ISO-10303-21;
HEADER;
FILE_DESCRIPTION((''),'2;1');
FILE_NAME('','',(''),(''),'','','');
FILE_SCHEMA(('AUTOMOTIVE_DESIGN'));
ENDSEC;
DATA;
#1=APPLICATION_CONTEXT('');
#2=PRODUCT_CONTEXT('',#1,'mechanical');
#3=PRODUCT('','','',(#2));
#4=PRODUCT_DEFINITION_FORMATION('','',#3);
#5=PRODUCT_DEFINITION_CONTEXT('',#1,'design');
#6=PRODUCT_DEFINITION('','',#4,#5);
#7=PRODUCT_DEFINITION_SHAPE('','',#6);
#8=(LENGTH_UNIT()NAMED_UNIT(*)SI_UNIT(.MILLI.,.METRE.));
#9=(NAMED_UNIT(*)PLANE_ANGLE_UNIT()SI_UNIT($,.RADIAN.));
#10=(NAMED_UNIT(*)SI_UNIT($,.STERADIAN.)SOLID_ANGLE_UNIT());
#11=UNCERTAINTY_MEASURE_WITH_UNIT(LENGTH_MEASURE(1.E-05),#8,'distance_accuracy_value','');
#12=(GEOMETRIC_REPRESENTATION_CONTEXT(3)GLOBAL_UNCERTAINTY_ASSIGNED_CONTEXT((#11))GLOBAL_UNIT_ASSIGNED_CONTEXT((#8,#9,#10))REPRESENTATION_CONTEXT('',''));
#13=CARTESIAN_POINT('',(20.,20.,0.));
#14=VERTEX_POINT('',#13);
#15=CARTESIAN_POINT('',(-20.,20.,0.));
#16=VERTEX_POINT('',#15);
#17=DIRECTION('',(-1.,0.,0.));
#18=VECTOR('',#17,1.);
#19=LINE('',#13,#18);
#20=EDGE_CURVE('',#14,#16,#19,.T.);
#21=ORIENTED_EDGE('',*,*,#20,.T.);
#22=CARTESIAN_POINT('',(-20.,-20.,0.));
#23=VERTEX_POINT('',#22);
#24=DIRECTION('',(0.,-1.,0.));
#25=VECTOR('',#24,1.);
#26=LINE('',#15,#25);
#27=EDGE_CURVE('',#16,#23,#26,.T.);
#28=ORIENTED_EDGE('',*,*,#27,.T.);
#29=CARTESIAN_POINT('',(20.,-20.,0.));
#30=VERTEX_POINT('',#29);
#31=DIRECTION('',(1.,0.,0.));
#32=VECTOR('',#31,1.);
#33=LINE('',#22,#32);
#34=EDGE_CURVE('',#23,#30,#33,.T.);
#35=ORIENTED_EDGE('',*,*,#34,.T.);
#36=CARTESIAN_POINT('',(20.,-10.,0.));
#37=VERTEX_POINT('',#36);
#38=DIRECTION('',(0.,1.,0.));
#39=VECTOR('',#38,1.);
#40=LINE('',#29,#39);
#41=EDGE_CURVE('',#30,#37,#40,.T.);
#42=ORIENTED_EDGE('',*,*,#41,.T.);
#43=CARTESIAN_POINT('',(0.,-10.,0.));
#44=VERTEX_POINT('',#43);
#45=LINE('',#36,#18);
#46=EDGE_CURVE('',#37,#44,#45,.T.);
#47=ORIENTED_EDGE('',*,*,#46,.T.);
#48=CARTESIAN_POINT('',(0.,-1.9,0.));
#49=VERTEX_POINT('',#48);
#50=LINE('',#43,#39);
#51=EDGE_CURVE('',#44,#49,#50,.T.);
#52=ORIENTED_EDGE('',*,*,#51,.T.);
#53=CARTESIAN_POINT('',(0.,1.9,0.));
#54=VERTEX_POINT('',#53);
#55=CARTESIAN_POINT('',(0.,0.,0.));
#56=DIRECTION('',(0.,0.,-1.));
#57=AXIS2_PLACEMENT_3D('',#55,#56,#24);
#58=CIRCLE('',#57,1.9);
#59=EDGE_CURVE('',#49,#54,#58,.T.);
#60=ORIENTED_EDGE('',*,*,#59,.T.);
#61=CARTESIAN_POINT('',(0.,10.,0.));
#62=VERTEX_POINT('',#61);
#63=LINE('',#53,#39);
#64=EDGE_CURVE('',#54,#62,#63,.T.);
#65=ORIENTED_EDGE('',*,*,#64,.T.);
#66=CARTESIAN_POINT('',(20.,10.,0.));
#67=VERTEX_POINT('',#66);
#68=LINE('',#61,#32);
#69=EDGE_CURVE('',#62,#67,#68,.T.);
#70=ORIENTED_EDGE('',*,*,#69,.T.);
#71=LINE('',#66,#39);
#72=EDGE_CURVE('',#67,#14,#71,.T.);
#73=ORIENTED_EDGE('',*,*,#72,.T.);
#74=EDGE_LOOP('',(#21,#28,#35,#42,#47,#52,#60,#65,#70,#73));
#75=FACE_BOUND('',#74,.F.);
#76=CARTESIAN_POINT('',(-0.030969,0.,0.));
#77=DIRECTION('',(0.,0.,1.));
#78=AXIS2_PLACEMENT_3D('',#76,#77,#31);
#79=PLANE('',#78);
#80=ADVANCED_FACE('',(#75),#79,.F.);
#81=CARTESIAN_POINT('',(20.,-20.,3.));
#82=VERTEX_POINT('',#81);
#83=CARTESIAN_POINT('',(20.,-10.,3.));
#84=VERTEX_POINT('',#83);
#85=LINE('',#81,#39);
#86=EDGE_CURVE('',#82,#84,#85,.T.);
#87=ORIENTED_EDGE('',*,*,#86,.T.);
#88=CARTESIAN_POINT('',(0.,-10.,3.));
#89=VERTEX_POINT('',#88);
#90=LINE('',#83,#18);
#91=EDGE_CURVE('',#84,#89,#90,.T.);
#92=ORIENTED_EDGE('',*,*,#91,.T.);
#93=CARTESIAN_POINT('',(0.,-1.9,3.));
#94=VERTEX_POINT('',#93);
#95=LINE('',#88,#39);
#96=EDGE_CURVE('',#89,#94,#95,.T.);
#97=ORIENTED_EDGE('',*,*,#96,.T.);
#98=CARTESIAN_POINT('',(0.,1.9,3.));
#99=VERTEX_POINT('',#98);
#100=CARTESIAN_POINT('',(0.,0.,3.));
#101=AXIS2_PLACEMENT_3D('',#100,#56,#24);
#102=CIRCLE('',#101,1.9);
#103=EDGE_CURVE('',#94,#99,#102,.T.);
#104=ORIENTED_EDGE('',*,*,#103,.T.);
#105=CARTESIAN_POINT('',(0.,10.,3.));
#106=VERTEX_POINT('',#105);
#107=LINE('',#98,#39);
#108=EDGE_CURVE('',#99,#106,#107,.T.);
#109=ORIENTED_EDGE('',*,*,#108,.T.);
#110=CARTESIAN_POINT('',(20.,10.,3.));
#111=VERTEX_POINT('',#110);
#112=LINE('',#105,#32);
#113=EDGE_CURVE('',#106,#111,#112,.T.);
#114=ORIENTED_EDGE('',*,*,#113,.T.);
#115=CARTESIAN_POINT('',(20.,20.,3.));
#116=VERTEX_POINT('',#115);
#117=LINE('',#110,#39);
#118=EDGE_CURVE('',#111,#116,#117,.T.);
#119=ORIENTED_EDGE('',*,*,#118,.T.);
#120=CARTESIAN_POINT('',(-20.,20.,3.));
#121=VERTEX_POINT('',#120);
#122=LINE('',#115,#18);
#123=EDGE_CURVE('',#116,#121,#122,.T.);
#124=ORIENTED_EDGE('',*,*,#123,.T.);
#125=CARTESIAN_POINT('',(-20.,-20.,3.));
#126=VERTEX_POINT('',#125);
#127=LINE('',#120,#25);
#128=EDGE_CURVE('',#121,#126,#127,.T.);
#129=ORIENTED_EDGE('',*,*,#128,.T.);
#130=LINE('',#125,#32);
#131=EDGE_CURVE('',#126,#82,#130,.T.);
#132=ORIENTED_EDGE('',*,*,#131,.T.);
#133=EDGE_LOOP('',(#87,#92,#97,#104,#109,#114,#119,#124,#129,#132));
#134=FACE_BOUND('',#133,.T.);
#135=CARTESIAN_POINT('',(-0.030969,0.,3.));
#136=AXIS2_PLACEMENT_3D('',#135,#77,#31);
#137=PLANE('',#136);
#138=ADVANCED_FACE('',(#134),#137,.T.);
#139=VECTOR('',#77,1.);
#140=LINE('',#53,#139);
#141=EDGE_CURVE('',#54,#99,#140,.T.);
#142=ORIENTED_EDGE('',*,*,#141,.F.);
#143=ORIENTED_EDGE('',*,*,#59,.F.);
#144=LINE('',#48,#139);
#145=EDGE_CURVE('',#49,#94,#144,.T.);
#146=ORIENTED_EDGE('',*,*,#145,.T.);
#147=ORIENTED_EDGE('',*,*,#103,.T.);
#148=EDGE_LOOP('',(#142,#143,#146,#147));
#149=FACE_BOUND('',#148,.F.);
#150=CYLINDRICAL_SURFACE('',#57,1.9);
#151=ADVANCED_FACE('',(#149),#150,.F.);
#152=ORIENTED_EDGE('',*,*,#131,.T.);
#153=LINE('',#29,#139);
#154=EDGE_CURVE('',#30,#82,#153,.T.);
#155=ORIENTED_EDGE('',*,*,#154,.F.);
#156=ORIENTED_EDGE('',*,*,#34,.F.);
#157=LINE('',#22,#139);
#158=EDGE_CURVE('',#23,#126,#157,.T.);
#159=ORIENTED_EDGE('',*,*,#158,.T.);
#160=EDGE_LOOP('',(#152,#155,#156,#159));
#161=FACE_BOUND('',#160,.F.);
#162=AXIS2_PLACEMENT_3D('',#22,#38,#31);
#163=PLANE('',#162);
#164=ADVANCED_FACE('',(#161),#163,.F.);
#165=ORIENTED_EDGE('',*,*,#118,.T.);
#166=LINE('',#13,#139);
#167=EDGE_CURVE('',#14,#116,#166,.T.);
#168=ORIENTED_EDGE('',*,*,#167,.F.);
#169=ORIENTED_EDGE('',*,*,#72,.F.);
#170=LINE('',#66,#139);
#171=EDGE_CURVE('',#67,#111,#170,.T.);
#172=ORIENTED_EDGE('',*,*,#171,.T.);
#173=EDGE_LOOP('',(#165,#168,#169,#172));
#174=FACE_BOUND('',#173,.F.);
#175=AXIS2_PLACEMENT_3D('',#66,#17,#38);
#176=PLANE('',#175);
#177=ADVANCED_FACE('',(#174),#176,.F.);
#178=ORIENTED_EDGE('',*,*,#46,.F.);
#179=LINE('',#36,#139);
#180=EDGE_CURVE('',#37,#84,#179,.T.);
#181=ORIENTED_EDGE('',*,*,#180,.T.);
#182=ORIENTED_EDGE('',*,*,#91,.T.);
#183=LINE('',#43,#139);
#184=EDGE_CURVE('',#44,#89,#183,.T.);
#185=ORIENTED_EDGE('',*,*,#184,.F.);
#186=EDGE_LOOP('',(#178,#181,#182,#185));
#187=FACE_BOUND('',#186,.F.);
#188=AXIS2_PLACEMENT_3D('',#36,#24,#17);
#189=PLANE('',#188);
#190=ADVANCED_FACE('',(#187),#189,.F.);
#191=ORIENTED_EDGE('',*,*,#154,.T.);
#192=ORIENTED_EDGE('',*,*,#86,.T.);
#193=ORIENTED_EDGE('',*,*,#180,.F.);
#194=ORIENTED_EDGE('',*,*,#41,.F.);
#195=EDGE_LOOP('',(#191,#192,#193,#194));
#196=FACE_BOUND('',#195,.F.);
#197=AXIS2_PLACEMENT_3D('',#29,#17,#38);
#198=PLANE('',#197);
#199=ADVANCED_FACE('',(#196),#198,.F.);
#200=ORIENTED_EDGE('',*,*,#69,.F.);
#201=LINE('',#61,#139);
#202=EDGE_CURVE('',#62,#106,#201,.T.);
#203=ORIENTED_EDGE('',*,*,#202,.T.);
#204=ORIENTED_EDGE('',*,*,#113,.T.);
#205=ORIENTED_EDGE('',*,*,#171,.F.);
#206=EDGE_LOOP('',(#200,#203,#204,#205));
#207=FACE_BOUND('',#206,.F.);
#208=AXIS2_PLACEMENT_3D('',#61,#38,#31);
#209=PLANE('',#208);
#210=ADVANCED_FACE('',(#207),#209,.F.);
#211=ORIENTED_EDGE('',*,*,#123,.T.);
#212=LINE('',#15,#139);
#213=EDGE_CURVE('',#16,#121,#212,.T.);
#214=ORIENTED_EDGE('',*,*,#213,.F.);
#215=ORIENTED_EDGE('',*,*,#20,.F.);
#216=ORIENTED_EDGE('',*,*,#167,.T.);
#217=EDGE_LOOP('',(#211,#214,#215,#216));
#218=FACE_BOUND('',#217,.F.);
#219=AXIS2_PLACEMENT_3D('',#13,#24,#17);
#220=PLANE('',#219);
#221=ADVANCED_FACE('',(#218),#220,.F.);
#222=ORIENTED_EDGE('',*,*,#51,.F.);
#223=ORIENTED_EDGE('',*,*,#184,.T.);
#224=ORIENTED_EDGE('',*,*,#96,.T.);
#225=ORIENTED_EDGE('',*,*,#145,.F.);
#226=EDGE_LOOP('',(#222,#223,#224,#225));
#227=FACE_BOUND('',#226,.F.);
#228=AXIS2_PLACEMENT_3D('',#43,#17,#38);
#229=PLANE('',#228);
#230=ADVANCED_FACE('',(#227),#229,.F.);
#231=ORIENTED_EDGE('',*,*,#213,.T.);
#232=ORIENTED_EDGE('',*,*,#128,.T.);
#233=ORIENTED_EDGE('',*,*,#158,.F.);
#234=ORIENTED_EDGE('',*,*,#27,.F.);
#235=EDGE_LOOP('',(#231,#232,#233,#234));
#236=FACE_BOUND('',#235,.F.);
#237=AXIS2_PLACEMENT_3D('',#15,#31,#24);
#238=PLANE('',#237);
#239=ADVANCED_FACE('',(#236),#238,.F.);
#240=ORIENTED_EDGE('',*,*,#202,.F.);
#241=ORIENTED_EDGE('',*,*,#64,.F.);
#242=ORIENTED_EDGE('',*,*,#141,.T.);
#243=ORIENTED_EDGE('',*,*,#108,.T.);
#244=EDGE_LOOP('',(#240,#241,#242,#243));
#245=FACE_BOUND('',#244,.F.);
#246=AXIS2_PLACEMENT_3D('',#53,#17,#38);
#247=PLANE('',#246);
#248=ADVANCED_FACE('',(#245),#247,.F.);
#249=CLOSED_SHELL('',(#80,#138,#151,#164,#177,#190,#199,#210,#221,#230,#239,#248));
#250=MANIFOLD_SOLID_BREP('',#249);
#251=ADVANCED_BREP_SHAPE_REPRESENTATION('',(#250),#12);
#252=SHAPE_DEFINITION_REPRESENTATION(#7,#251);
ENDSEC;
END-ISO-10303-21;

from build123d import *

# Parameters (mm, degrees)
F1_DEPTH = 3


with BuildPart() as f1:
    # F0 (on Top) → F1 (new body)
    with BuildSketch(Plane.XY):
        with BuildLine():
            Line((20, 20), (-20, 20))
            Line((-20, 20), (-20, -20))
            Line((-20, -20), (20, -20))
            Line((20, -20), (20, -10))
            Line((20, -10), (0, -10))
            Line((0, -10), (0, -1.9))
            ThreePointArc((0, -1.9), (-1.9, 0), (0, 1.9))
            Line((0, 1.9), (0, 10))
            Line((0, 10), (20, 10))
            Line((20, 10), (20, 20))
        make_face()
    extrude(amount=F1_DEPTH)


solid = f1.part
